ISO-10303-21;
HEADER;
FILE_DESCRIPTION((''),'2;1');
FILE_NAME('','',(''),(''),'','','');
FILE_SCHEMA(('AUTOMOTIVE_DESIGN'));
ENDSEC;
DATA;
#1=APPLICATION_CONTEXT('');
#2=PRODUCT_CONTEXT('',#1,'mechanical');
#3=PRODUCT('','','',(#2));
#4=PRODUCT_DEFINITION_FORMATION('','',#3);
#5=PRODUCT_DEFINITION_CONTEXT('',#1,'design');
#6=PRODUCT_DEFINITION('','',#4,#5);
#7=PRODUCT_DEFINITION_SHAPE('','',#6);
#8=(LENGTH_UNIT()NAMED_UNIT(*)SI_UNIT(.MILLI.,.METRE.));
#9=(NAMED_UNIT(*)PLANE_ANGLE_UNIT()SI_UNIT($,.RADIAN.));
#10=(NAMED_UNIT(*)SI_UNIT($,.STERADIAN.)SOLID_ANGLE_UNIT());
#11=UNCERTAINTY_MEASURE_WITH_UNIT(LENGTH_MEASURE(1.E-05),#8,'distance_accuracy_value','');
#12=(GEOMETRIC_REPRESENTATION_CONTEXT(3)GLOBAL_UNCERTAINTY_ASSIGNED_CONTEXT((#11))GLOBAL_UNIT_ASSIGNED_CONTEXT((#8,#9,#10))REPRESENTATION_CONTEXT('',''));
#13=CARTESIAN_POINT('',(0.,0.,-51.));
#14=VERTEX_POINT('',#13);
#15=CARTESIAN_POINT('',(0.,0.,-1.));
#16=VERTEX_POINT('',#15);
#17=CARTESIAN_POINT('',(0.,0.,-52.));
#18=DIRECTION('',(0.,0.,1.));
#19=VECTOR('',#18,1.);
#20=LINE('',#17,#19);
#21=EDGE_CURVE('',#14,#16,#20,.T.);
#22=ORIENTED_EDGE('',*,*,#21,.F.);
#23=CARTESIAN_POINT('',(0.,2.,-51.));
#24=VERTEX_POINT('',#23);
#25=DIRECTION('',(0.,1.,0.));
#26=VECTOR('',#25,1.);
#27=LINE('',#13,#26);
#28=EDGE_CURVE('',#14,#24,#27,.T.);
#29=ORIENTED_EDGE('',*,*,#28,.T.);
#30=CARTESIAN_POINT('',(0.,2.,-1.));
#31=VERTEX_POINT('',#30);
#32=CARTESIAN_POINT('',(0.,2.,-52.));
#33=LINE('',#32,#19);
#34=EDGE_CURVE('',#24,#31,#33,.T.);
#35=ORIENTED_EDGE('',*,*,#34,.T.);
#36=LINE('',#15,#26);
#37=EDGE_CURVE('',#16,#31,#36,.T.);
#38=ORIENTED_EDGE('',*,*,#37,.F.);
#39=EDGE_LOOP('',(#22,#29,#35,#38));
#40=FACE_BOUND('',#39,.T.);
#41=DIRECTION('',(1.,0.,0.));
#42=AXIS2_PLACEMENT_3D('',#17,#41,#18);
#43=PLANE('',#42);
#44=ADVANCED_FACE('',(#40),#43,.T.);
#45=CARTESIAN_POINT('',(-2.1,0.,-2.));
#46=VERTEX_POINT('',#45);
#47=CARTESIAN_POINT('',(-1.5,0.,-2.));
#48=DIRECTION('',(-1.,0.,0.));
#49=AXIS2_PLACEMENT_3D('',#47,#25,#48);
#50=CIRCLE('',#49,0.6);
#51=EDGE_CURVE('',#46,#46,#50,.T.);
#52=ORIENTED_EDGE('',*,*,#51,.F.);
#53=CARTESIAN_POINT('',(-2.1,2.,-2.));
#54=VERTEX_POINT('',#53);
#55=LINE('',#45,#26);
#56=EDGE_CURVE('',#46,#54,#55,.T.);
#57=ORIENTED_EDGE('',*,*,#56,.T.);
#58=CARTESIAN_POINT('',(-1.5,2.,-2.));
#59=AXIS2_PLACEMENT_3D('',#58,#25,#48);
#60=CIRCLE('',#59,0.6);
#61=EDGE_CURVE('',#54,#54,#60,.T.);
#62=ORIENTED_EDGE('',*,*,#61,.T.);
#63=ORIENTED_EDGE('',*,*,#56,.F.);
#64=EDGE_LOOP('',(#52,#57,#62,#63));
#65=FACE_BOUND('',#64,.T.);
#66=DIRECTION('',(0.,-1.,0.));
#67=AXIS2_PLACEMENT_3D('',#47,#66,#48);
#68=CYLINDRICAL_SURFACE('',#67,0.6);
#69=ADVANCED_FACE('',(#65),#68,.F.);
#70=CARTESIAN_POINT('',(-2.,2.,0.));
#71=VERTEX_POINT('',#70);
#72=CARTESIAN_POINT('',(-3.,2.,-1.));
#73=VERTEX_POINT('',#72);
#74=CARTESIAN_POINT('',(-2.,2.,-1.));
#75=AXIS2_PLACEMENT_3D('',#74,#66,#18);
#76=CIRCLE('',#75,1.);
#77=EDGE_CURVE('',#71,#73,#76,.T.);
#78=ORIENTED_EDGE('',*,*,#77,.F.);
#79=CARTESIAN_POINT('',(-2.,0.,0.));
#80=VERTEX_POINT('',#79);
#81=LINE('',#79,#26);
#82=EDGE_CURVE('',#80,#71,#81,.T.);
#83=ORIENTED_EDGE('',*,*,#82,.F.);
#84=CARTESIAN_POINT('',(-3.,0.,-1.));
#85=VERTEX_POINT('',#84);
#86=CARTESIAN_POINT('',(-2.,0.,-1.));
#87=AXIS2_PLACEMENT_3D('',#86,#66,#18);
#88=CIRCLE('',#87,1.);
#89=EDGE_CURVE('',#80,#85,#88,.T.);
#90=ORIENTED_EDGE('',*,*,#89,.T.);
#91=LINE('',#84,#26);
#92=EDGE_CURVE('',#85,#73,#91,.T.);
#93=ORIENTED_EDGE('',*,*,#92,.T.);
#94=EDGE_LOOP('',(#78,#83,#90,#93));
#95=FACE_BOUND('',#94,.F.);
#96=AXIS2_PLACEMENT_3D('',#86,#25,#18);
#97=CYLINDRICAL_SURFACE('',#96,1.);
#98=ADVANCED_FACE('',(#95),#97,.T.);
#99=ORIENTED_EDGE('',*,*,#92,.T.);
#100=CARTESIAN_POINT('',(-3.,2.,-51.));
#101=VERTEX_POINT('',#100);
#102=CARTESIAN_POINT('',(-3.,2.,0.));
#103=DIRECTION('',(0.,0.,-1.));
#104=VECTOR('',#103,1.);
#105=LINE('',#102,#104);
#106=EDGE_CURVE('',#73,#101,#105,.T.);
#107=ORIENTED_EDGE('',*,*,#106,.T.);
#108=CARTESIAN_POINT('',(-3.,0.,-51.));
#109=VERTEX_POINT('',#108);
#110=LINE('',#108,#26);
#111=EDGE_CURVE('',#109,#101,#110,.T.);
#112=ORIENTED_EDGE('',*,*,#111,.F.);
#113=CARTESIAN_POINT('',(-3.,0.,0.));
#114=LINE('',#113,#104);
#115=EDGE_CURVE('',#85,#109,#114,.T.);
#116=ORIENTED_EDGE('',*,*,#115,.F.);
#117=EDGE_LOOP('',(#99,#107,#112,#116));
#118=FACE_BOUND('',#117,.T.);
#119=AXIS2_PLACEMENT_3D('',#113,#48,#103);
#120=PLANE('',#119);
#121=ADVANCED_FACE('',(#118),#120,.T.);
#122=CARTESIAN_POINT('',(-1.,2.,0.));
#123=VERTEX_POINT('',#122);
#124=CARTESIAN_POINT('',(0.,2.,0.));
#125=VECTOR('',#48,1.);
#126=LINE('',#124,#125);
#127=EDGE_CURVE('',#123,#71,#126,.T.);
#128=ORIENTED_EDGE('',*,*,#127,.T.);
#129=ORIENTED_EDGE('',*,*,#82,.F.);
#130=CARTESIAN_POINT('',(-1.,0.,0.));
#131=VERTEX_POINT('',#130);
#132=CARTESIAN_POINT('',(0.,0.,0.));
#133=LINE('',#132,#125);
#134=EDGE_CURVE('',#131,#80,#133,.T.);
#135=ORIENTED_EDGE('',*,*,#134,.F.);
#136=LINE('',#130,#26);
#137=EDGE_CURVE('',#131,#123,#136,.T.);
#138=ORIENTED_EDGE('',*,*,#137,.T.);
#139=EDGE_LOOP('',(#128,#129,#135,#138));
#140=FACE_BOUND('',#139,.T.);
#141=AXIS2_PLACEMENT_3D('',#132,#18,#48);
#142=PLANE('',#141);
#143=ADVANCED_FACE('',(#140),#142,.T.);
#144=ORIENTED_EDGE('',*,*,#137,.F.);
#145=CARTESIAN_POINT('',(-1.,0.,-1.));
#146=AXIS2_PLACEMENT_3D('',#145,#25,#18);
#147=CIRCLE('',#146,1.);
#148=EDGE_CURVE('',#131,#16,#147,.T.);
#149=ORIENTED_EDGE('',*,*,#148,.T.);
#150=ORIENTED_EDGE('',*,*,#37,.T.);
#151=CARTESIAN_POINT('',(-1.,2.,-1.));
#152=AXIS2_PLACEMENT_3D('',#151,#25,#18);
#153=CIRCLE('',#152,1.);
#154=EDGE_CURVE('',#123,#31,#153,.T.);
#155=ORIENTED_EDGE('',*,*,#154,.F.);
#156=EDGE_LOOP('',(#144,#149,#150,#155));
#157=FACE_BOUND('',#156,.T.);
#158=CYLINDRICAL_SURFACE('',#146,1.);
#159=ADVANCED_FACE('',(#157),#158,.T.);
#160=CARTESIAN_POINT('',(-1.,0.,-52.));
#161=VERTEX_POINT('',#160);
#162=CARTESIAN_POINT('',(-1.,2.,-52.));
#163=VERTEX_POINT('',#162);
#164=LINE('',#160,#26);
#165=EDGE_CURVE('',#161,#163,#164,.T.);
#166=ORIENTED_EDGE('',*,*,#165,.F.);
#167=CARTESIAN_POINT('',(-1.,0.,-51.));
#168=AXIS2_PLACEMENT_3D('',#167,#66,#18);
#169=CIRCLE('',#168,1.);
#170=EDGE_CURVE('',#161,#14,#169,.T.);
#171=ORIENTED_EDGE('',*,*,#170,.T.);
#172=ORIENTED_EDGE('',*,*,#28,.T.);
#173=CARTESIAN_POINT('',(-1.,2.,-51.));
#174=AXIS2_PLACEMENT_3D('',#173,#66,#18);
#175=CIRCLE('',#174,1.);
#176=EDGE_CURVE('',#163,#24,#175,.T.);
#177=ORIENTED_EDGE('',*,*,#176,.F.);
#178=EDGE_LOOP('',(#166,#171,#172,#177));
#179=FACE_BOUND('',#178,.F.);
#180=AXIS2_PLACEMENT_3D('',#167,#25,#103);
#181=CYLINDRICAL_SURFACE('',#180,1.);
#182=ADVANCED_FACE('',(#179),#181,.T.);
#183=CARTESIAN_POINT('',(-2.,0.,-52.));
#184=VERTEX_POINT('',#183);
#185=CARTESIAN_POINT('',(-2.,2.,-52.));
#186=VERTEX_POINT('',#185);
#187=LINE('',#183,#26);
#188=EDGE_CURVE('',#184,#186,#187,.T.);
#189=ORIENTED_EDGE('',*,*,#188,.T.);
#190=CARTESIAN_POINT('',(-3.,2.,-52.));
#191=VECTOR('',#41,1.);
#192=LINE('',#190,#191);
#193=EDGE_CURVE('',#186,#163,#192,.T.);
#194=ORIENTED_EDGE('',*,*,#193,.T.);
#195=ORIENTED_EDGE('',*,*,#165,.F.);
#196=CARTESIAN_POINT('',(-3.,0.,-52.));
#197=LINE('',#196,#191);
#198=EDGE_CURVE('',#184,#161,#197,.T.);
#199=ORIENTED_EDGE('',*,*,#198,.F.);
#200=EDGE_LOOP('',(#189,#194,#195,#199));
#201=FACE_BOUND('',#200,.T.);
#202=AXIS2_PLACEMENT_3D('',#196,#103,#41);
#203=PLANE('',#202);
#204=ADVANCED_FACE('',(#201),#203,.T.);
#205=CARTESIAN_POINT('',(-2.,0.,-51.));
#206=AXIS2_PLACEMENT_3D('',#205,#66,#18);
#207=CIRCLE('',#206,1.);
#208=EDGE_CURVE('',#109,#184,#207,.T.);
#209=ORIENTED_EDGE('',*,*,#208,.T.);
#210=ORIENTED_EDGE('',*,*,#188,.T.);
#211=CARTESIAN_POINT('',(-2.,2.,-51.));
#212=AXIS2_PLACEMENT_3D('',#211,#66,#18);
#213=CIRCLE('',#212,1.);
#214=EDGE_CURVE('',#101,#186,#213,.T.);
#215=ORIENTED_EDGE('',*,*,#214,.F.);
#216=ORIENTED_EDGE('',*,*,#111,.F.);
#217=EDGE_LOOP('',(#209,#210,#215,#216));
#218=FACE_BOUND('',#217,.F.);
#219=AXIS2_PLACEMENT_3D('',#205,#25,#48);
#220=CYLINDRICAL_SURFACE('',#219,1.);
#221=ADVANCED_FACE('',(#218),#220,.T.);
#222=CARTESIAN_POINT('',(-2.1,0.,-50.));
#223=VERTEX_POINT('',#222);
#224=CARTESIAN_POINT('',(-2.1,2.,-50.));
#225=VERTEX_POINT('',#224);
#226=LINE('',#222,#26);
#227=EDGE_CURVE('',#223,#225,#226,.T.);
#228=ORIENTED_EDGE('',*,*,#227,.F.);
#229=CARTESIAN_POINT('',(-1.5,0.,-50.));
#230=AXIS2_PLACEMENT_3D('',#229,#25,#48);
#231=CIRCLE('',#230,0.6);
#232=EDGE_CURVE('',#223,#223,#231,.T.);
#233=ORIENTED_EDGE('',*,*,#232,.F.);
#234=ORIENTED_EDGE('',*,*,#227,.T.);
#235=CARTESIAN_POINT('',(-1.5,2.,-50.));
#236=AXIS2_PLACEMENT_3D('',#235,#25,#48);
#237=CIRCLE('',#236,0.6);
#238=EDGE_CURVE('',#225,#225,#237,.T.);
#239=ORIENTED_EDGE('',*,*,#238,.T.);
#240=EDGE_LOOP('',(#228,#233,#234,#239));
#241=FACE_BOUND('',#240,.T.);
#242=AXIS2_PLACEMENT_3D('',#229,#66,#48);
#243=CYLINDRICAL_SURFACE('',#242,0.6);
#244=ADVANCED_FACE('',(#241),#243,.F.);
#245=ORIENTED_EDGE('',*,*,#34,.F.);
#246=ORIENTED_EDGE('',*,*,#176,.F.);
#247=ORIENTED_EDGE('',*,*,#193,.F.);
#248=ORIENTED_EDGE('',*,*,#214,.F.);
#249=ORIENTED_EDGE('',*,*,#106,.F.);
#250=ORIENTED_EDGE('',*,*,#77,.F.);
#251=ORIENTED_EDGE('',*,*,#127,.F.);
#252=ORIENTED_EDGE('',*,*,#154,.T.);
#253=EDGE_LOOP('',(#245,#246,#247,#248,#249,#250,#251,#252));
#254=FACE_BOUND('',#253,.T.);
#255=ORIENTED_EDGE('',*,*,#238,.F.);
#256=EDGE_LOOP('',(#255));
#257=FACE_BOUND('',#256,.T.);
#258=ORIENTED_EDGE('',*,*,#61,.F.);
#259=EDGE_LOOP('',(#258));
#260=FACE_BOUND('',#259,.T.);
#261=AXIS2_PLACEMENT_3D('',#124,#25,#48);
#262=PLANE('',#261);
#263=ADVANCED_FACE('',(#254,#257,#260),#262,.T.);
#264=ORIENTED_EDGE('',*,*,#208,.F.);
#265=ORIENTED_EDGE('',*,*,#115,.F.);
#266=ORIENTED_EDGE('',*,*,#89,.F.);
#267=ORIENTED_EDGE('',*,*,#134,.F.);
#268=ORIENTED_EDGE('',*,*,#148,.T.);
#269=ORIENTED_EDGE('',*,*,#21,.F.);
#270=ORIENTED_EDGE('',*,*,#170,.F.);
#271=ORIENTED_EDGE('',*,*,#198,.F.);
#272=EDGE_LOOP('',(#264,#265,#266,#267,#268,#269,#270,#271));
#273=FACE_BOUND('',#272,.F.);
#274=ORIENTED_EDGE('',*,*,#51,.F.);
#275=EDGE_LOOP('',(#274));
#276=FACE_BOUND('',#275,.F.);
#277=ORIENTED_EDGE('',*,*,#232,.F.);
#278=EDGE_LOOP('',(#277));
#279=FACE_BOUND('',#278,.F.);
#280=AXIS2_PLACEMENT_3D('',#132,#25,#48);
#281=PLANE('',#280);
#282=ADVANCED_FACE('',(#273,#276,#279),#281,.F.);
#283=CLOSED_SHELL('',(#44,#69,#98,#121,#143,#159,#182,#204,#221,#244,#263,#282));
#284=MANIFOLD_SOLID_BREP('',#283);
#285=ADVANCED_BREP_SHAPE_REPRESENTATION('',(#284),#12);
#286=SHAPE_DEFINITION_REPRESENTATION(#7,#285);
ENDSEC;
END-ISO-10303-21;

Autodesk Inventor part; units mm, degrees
ref_plane "YZ Plane" through (0, 0, 0) normal (1, 0, 0) x (0, 1, 0)
ref_plane "XZ Plane" through (0, 0, 0) normal (0, 1, 0) x (-1, 0, 0)
ref_plane "XY Plane" through (0, 0, 0) normal (0, 0, 1) x (1, 0, 0)
sketch "Sketch1" plane through (0, 0, 0) normal (0, 1, 0) x (-1, 0, 0)
  line L0 (0, 0) -> (3, 0)
  line L1 (3, 0) -> (3, -52)
  line L2 (3, -52) -> (0, -52)
  line L3 (0, -52) -> (0, 0)
  circle A0 centre (1.5, -2) radius 0.6
  circle A1 centre (1.5, -50) radius 0.6
  point P0 (1.5, 0)
  dimension "d0" = 3
  dimension "d1" = 52
  dimension "d2" = 1.2
  dimension "d3" = 1.2
  dimension "d4" = 48
  dimension "d5" = 1.5
  dimension "d6" = 1.5
  dimension "d7" = 2
extrude "Extrusion1" add sketch "Sketch1" along normal blind 2
fillet "Fillet1" radius 1 4 edges at (0, 1, 0) (-3, 1, 0) (0, 1, -52) (-3, 1, -52)
equation "\"d5\" = 0.5 * d0"
equation "\"d6\" = d5"
properties part number "Steering_Servo_Linkage"
